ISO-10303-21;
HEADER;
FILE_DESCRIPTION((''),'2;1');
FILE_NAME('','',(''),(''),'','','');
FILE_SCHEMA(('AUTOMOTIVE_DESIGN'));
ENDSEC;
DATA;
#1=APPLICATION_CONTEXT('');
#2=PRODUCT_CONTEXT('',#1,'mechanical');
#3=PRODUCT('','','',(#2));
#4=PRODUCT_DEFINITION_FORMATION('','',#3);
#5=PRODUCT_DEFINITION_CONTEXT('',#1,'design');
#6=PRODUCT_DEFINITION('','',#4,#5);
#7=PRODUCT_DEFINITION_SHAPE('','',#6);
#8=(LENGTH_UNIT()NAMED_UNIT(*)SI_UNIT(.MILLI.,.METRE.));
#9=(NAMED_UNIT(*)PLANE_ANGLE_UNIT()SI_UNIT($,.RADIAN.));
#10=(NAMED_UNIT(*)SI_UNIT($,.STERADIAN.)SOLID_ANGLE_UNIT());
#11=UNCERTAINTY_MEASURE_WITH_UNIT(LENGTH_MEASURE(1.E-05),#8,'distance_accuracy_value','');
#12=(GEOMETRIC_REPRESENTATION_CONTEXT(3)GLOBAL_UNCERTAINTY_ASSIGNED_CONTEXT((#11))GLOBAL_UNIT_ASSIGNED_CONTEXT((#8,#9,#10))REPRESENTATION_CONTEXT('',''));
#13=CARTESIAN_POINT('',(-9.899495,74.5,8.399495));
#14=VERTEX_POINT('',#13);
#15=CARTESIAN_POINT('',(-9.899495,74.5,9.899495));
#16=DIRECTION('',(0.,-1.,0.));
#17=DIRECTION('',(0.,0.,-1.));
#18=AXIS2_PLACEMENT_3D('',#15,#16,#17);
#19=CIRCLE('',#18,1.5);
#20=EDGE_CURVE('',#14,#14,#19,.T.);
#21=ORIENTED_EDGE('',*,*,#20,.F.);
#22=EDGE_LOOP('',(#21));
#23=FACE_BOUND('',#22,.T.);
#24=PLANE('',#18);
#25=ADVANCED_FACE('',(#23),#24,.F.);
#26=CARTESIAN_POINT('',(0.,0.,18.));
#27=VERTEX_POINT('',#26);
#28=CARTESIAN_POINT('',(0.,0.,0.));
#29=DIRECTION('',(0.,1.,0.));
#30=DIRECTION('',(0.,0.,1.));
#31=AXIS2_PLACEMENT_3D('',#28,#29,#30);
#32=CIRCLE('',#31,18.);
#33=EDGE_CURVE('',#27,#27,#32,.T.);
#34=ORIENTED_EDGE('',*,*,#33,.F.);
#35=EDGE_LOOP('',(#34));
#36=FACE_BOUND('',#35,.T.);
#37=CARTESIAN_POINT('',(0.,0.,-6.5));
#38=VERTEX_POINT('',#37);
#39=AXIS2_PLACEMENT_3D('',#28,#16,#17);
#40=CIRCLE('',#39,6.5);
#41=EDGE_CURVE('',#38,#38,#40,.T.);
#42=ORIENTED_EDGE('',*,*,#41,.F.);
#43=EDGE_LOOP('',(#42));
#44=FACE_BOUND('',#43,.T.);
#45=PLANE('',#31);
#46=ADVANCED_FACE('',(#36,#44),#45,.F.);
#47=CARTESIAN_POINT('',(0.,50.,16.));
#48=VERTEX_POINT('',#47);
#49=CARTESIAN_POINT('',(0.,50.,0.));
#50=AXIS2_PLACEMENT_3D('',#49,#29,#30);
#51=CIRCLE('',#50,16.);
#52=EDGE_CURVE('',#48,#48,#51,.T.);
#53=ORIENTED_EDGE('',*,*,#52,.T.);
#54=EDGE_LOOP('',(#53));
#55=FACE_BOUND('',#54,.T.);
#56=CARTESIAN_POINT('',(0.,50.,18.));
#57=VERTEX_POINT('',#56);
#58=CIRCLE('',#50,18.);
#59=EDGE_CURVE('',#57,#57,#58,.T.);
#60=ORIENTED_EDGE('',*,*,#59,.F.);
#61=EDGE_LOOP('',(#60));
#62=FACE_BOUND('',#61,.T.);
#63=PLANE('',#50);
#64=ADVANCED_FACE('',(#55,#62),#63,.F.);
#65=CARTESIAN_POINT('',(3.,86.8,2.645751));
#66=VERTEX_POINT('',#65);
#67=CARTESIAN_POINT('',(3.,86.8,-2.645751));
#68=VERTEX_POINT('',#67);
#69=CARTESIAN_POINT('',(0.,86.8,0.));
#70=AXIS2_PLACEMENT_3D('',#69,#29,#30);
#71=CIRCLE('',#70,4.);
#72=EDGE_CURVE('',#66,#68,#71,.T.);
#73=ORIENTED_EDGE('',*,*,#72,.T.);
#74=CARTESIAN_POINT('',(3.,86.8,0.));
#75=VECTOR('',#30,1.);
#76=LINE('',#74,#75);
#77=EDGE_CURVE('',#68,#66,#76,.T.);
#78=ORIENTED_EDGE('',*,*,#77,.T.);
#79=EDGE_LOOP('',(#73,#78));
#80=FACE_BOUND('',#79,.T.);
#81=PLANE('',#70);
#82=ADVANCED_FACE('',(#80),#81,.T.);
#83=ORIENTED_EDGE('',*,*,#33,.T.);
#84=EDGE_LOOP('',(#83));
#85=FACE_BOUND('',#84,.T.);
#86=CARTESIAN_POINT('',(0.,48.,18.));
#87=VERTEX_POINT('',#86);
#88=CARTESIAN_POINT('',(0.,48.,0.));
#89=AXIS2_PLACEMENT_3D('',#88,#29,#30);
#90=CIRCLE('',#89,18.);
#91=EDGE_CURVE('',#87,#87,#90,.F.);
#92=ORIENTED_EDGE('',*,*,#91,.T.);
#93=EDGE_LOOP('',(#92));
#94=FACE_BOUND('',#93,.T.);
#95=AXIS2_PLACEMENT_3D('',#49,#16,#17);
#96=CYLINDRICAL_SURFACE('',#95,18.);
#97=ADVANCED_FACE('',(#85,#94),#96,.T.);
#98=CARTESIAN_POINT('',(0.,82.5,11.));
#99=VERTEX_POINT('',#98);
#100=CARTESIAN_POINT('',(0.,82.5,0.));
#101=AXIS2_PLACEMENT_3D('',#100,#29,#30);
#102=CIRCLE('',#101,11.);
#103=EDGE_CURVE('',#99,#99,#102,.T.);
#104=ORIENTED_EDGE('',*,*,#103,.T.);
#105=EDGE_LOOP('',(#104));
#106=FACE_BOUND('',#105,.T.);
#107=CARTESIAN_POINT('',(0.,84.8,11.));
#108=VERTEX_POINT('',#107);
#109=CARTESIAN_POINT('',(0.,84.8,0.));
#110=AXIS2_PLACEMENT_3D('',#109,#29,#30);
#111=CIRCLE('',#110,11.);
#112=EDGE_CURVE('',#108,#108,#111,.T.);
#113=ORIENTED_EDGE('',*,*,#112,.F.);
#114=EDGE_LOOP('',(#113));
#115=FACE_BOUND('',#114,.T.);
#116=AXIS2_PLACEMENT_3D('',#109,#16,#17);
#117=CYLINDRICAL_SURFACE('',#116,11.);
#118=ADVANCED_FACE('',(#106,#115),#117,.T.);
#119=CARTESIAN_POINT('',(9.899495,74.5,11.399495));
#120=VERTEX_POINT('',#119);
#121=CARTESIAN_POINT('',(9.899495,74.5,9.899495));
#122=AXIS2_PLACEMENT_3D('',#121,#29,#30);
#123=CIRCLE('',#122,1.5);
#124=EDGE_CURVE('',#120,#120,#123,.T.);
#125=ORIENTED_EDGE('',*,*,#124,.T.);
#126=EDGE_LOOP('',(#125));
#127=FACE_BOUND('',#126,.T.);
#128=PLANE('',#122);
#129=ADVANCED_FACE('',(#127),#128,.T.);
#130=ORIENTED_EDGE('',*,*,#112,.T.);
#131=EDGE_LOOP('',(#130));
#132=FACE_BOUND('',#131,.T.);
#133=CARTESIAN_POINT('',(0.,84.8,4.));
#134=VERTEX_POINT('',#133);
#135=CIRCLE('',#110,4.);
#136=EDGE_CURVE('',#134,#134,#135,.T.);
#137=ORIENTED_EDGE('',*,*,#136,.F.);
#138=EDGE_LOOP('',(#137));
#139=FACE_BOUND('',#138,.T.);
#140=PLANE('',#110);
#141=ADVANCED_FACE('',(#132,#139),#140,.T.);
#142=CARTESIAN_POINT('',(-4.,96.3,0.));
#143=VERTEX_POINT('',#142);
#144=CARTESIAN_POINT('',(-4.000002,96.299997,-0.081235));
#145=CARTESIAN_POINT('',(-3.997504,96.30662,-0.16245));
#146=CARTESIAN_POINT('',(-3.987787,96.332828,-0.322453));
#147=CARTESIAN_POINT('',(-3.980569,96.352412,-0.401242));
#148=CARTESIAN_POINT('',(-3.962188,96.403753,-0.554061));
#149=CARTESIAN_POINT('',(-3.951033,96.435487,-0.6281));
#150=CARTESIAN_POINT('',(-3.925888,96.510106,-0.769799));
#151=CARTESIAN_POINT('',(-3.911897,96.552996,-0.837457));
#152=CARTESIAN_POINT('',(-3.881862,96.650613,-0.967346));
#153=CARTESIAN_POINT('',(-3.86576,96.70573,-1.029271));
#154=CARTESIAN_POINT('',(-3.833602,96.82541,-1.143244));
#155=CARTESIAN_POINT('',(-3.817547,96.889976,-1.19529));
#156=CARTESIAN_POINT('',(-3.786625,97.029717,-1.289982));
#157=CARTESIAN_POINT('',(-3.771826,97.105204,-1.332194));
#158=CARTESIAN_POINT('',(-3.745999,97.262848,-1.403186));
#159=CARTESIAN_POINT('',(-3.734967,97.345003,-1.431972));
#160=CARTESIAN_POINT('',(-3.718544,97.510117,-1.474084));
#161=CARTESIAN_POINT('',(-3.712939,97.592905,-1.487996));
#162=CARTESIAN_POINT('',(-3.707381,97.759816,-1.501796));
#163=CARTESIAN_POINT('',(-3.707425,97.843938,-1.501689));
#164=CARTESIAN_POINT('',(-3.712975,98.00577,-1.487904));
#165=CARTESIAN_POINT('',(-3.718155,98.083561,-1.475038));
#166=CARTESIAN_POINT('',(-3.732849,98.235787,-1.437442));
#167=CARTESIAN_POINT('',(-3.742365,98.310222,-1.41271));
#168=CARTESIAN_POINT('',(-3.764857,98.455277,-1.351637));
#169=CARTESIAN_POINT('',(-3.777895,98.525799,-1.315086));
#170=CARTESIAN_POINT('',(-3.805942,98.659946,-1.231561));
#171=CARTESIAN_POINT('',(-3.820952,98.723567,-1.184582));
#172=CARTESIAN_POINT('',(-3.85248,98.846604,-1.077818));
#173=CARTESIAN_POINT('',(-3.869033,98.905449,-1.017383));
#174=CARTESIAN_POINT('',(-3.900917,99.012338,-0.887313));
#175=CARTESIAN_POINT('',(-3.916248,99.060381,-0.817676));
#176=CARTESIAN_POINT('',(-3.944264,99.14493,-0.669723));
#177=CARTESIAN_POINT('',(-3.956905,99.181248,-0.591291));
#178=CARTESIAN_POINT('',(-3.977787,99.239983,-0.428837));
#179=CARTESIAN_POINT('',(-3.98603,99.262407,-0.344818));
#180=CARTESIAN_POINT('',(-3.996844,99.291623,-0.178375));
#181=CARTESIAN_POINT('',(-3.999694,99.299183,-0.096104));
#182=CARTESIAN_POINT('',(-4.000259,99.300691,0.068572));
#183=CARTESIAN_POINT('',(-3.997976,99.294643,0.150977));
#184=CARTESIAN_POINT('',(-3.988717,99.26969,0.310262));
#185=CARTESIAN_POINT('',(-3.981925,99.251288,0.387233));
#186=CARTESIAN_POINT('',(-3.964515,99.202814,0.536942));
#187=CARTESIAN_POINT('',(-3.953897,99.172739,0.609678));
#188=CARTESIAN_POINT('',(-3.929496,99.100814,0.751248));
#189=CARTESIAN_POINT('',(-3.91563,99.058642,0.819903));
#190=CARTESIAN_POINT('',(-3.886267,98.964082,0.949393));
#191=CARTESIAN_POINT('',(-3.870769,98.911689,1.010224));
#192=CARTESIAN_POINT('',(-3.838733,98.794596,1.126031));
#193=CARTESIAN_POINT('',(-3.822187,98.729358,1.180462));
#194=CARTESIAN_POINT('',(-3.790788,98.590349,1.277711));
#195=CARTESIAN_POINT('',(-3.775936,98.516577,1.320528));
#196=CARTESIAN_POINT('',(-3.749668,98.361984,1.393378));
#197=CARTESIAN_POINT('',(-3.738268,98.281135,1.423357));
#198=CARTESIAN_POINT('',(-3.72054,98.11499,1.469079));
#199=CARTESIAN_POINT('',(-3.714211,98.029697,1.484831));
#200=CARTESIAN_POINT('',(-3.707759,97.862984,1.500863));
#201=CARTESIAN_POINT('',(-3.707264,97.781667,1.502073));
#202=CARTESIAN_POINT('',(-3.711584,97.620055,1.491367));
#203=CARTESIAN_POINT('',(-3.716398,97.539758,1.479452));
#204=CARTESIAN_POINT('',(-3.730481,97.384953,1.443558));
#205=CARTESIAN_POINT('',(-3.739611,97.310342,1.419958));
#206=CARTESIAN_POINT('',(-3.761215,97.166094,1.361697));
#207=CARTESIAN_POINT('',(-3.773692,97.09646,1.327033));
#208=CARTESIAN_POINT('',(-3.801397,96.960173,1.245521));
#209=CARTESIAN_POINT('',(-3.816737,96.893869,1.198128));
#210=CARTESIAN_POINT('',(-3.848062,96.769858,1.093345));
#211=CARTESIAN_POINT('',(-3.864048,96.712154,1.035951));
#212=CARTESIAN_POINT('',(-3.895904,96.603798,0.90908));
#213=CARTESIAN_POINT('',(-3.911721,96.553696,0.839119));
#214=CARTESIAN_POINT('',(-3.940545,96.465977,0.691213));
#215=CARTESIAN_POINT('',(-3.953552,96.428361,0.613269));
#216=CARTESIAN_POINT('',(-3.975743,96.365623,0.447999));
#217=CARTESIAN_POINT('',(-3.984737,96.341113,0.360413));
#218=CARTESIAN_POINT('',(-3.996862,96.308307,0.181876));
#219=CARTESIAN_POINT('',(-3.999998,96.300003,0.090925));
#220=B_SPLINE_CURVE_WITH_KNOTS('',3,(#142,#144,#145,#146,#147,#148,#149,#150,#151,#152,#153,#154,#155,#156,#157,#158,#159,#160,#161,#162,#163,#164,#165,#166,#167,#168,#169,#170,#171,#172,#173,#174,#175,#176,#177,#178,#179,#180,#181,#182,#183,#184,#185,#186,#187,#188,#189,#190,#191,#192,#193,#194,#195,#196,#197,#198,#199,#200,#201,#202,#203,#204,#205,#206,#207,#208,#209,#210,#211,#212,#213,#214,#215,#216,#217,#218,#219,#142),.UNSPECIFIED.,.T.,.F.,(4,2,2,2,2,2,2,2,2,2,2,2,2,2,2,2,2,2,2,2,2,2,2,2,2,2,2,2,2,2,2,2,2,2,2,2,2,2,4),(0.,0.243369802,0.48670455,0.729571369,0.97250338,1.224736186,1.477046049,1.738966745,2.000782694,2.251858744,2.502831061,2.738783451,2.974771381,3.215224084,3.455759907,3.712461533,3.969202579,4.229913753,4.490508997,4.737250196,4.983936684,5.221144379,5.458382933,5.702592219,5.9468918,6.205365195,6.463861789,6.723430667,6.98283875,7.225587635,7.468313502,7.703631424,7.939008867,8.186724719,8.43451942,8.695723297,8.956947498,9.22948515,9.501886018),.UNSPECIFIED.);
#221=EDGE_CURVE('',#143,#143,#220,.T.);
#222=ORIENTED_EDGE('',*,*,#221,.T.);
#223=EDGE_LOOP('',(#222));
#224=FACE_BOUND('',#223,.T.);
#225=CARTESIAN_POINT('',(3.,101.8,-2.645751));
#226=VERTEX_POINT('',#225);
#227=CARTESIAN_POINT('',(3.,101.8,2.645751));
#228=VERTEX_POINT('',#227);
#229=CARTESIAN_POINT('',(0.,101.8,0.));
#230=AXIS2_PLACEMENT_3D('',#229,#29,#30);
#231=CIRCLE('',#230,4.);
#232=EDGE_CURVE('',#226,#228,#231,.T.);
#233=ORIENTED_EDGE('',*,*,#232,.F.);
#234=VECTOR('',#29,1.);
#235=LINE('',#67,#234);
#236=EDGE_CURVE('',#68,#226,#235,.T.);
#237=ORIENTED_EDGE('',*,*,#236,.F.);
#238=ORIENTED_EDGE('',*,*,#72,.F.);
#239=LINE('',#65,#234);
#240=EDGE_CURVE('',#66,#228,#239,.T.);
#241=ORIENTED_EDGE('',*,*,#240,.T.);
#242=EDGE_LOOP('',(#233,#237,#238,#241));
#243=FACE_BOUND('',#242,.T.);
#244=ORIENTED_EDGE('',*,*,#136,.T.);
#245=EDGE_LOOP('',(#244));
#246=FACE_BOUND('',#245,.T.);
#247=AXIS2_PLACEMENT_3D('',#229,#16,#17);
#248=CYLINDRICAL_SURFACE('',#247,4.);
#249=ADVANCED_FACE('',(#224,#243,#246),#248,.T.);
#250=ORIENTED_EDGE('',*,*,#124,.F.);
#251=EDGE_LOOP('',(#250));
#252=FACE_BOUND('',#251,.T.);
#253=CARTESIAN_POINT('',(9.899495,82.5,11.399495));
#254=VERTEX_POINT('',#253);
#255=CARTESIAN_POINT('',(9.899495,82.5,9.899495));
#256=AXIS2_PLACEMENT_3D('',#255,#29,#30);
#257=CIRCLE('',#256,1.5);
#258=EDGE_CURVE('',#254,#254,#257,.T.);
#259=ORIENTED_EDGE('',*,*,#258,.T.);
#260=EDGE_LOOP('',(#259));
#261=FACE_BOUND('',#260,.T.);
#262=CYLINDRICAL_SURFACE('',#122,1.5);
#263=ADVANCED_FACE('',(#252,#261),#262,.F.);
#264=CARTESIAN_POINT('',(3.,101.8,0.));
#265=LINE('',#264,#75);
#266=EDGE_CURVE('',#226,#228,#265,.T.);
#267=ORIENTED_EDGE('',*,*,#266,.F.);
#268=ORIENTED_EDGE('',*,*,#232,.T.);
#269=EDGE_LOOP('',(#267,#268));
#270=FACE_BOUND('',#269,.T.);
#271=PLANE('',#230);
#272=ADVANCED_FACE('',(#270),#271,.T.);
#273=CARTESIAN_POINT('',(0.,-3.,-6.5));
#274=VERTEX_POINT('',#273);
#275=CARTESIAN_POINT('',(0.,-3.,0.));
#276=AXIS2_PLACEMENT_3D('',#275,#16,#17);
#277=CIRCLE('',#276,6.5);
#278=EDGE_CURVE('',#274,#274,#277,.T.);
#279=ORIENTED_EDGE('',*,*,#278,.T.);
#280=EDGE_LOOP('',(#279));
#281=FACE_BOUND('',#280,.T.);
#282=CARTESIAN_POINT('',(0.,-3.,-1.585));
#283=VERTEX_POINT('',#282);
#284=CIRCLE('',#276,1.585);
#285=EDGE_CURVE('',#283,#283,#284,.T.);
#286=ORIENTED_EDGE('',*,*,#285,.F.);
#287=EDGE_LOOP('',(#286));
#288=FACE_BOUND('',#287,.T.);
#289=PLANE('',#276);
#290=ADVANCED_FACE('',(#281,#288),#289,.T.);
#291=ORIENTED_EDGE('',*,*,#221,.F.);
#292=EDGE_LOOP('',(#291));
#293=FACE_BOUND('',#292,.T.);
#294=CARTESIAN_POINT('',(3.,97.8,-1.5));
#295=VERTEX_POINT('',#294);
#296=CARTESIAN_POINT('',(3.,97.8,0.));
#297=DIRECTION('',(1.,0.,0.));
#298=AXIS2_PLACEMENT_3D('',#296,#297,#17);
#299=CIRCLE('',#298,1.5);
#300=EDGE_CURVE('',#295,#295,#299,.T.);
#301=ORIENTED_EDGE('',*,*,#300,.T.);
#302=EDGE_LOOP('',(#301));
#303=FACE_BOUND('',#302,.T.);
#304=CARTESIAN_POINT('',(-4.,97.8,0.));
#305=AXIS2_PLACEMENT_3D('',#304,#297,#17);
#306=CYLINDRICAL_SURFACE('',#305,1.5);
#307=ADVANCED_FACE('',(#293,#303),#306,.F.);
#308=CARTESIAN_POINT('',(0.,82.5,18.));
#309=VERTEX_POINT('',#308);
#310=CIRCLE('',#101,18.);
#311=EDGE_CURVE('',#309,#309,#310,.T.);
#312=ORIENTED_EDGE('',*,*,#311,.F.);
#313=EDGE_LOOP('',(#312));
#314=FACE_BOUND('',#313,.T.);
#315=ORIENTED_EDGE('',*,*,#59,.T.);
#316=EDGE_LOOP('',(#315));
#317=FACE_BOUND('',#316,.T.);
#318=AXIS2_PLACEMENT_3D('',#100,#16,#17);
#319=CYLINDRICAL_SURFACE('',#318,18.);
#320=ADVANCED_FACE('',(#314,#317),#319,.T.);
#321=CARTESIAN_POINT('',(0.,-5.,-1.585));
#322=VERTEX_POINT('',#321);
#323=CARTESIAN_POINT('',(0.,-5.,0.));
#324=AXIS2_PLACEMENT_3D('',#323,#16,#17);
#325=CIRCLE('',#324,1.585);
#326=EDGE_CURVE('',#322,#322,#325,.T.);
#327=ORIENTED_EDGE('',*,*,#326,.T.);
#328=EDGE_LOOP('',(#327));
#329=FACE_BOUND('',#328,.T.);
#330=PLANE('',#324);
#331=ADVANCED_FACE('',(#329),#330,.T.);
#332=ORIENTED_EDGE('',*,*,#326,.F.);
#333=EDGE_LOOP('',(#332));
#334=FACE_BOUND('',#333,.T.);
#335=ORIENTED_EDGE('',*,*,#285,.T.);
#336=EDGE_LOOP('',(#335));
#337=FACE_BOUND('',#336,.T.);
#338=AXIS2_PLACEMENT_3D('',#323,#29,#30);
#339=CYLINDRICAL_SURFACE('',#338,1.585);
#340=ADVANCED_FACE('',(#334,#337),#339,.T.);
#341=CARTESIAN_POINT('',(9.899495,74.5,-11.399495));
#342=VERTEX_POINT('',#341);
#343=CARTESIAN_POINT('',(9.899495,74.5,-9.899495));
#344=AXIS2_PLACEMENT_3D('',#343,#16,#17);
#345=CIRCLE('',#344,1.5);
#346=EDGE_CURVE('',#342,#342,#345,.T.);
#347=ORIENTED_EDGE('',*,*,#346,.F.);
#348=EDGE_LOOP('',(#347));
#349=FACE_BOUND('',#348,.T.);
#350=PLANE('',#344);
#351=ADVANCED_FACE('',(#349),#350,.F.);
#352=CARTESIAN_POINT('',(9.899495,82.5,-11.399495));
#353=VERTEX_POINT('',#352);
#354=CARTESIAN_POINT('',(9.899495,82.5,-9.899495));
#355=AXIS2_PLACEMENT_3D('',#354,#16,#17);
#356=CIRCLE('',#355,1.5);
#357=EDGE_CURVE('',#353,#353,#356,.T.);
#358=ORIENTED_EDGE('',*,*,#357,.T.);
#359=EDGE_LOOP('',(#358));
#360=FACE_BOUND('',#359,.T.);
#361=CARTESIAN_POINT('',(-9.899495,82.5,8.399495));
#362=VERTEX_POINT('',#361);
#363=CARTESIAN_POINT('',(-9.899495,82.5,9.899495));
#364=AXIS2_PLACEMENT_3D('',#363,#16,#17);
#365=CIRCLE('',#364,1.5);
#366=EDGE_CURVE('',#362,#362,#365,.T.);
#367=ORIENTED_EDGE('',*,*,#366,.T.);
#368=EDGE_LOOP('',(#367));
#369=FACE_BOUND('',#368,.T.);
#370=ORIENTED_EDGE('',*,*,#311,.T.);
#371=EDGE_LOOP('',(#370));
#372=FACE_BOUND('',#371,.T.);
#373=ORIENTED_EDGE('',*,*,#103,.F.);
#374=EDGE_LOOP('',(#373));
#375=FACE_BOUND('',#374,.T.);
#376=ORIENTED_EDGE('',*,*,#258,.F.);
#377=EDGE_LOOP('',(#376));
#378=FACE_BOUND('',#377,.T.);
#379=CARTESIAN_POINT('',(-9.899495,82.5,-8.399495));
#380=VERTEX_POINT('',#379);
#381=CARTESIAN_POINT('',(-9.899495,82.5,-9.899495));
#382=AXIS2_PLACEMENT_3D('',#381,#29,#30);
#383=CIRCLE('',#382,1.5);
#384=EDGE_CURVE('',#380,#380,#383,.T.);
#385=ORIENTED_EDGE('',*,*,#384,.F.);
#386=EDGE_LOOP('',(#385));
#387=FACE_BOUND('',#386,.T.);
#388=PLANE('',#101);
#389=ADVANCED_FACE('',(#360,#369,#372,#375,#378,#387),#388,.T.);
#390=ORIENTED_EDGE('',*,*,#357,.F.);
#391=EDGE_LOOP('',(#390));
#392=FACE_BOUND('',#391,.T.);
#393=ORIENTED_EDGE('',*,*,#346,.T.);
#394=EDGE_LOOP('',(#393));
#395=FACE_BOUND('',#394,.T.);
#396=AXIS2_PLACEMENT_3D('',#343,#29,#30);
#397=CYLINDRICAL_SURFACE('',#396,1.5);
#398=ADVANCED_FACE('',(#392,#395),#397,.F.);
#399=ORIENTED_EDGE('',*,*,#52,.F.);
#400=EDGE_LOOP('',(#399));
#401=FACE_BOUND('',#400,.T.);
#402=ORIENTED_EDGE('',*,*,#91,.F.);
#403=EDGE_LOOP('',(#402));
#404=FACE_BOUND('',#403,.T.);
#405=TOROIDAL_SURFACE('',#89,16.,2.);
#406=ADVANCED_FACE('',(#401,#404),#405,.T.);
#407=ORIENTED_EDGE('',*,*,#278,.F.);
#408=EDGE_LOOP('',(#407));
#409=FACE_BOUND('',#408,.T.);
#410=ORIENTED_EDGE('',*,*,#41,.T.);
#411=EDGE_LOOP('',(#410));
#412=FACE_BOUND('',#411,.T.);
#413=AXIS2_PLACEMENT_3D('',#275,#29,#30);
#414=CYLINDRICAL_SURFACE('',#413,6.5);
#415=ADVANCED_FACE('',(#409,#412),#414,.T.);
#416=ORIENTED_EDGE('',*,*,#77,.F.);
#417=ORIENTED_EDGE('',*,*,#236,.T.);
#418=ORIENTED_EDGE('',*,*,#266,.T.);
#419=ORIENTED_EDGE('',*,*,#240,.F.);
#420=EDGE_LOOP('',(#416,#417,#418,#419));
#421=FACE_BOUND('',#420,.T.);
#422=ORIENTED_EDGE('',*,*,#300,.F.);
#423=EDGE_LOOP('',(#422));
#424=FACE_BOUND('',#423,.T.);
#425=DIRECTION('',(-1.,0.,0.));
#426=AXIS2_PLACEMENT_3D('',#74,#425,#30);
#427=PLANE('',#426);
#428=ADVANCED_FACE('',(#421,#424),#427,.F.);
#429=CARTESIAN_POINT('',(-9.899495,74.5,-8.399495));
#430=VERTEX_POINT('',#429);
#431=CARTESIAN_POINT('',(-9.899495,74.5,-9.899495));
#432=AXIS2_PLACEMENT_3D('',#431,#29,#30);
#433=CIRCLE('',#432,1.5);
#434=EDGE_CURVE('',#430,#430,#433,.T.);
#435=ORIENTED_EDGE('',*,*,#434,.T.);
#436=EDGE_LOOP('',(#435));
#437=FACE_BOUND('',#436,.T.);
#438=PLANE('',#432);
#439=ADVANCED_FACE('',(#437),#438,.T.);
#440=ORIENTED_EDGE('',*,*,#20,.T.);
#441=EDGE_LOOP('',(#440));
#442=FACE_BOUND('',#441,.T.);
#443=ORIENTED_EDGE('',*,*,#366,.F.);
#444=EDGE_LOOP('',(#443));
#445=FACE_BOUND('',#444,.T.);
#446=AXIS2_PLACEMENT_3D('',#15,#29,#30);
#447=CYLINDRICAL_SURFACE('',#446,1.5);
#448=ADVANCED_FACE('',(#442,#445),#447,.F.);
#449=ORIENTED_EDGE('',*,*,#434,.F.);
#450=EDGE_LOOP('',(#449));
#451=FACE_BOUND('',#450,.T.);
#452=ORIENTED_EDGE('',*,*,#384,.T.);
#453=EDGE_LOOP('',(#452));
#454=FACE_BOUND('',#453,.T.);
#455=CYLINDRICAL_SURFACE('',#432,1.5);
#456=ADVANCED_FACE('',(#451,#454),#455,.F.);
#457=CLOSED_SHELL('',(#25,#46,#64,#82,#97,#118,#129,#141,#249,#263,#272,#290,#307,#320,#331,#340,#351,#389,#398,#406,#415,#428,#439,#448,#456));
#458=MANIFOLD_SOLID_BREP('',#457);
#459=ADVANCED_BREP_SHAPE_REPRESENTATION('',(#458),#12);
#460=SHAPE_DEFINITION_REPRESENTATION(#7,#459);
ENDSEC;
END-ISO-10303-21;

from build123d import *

# Parameters (mm, degrees)
SKETCH_3_R          = 18
EXTRUDE_1_DEPTH     = 50
FILLET_2_R          = 2
SKETCH_4_R          = 6.5
EXTRUDE_2_DEPTH     = 3
SKETCH_5_R          = 18
EXTRUDE_3_DEPTH     = 32.5
SKETCH_6_R          = 11
EXTRUDE_4_DEPTH     = 2.3
SKETCH_7_R          = 4
EXTRUDE_5_DEPTH     = 17
CUT_EXTRUDE_START   = -15
CUT_EXTRUDE_1_DEPTH = 15
SKETCH_10_R         = 1.5
CUT_EXTRUDE_2_DEPTH = 8
SKETCH_11_R         = 1.585
EXTRUDE_6_DEPTH     = 2
SKETCH_14_R         = 1.5
CUT_EXTRUDE_3_DEPTH = 7


with BuildPart() as part:
    # 草图3 → 凸台-拉伸1 (new body)
    with BuildSketch(Plane(origin=(0, 0, 0), x_dir=(1, 0, 0), z_dir=(0, 1, 0))):
        with Locations(Location((0, 0, 0), (0, 0, 270))):
            Circle(SKETCH_3_R)
    extrude(amount=EXTRUDE_1_DEPTH)

    # 圆角2
    fillet_2_edges = [part.edges().sort_by_distance(p)[0] for p in [
        (0, 50, -18),
    ]]
    fillet(fillet_2_edges, radius=FILLET_2_R)

    # 草图4 → 凸台-拉伸2 (add)
    with BuildSketch(Plane.XZ):
        with Locations(Location((0, 0, 0), (0, 0, 270))):
            Circle(SKETCH_4_R)
    extrude(amount=EXTRUDE_2_DEPTH)

    # 草图5 → 凸台-拉伸3 (add)
    with BuildSketch(Plane(origin=(0, 50, 0), x_dir=(1, 0, 0), z_dir=(0, 1, 0))):
        with Locations(Location((0, 0, 0), (0, 0, 270))):
            Circle(SKETCH_5_R)
    extrude(amount=EXTRUDE_3_DEPTH)

    # 草图6 → 凸台-拉伸4 (add)
    with BuildSketch(Plane(origin=(0, 82.5, 0), x_dir=(1, 0, 0), z_dir=(0, 1, 0))):
        with Locations(Location((0, 0, 0), (0, 0, 270))):
            Circle(SKETCH_6_R)
    extrude(amount=EXTRUDE_4_DEPTH)

    # 草图7 → 凸台-拉伸5 (add)
    with BuildSketch(Plane(origin=(0, 84.8, 0), x_dir=(1, 0, 0), z_dir=(0, 1, 0))):
        with Locations(Location((0, 0, 0), (0, 0, 270))):
            Circle(SKETCH_7_R)
    extrude(amount=EXTRUDE_5_DEPTH)

    # 草图8 → 切除-拉伸1 (cut)
    with BuildSketch(Plane(origin=(0, 101.8, 0), x_dir=(1, 0, 0), z_dir=(0, 1, 0)).offset(CUT_EXTRUDE_START)):
        with BuildLine():
            Line((3, 2.645751311), (3, -2.645751311))
            ThreePointArc((3, -2.645751311), (4, 0), (3, 2.645751311))
        make_face()
    extrude(amount=CUT_EXTRUDE_1_DEPTH, mode=Mode.SUBTRACT)

    # 草图10 → 切除-拉伸2 (cut)
    with BuildSketch(Plane(origin=(0, 82.5, 0), x_dir=(1, 0, 0), z_dir=(0, 1, 0))):
        with Locations(Location((-9.899494937, 9.899494937, 0), (0, 0, 270))):
            Circle(SKETCH_10_R)
        with Locations(Location((9.899494937, 9.899494937, 0), (0, 0, 90))):
            Circle(SKETCH_10_R)
        with Locations(Location((9.899494937, -9.899494937, 0), (0, 0, 270))):
            Circle(SKETCH_10_R)
        with Locations(Location((-9.899494937, -9.899494937, 0), (0, 0, 90))):
            Circle(SKETCH_10_R)
    extrude(amount=-CUT_EXTRUDE_2_DEPTH, mode=Mode.SUBTRACT)

    # 草图11 → 凸台-拉伸6 (add)
    with BuildSketch(Plane.XZ.offset(3)):
        with Locations(Location((0, 0, 0), (0, 0, 270))):
            Circle(SKETCH_11_R)
    extrude(amount=EXTRUDE_6_DEPTH)

    # 草图14 → 切除-拉伸3 (cut)
    with BuildSketch(Plane(origin=(3, 0, 0), x_dir=(0, 0, -1), z_dir=(1, 0, 0))):
        with Locations((0, 97.8)):
            Circle(SKETCH_14_R)
    extrude(amount=-CUT_EXTRUDE_3_DEPTH, mode=Mode.SUBTRACT)


solid = part.part
